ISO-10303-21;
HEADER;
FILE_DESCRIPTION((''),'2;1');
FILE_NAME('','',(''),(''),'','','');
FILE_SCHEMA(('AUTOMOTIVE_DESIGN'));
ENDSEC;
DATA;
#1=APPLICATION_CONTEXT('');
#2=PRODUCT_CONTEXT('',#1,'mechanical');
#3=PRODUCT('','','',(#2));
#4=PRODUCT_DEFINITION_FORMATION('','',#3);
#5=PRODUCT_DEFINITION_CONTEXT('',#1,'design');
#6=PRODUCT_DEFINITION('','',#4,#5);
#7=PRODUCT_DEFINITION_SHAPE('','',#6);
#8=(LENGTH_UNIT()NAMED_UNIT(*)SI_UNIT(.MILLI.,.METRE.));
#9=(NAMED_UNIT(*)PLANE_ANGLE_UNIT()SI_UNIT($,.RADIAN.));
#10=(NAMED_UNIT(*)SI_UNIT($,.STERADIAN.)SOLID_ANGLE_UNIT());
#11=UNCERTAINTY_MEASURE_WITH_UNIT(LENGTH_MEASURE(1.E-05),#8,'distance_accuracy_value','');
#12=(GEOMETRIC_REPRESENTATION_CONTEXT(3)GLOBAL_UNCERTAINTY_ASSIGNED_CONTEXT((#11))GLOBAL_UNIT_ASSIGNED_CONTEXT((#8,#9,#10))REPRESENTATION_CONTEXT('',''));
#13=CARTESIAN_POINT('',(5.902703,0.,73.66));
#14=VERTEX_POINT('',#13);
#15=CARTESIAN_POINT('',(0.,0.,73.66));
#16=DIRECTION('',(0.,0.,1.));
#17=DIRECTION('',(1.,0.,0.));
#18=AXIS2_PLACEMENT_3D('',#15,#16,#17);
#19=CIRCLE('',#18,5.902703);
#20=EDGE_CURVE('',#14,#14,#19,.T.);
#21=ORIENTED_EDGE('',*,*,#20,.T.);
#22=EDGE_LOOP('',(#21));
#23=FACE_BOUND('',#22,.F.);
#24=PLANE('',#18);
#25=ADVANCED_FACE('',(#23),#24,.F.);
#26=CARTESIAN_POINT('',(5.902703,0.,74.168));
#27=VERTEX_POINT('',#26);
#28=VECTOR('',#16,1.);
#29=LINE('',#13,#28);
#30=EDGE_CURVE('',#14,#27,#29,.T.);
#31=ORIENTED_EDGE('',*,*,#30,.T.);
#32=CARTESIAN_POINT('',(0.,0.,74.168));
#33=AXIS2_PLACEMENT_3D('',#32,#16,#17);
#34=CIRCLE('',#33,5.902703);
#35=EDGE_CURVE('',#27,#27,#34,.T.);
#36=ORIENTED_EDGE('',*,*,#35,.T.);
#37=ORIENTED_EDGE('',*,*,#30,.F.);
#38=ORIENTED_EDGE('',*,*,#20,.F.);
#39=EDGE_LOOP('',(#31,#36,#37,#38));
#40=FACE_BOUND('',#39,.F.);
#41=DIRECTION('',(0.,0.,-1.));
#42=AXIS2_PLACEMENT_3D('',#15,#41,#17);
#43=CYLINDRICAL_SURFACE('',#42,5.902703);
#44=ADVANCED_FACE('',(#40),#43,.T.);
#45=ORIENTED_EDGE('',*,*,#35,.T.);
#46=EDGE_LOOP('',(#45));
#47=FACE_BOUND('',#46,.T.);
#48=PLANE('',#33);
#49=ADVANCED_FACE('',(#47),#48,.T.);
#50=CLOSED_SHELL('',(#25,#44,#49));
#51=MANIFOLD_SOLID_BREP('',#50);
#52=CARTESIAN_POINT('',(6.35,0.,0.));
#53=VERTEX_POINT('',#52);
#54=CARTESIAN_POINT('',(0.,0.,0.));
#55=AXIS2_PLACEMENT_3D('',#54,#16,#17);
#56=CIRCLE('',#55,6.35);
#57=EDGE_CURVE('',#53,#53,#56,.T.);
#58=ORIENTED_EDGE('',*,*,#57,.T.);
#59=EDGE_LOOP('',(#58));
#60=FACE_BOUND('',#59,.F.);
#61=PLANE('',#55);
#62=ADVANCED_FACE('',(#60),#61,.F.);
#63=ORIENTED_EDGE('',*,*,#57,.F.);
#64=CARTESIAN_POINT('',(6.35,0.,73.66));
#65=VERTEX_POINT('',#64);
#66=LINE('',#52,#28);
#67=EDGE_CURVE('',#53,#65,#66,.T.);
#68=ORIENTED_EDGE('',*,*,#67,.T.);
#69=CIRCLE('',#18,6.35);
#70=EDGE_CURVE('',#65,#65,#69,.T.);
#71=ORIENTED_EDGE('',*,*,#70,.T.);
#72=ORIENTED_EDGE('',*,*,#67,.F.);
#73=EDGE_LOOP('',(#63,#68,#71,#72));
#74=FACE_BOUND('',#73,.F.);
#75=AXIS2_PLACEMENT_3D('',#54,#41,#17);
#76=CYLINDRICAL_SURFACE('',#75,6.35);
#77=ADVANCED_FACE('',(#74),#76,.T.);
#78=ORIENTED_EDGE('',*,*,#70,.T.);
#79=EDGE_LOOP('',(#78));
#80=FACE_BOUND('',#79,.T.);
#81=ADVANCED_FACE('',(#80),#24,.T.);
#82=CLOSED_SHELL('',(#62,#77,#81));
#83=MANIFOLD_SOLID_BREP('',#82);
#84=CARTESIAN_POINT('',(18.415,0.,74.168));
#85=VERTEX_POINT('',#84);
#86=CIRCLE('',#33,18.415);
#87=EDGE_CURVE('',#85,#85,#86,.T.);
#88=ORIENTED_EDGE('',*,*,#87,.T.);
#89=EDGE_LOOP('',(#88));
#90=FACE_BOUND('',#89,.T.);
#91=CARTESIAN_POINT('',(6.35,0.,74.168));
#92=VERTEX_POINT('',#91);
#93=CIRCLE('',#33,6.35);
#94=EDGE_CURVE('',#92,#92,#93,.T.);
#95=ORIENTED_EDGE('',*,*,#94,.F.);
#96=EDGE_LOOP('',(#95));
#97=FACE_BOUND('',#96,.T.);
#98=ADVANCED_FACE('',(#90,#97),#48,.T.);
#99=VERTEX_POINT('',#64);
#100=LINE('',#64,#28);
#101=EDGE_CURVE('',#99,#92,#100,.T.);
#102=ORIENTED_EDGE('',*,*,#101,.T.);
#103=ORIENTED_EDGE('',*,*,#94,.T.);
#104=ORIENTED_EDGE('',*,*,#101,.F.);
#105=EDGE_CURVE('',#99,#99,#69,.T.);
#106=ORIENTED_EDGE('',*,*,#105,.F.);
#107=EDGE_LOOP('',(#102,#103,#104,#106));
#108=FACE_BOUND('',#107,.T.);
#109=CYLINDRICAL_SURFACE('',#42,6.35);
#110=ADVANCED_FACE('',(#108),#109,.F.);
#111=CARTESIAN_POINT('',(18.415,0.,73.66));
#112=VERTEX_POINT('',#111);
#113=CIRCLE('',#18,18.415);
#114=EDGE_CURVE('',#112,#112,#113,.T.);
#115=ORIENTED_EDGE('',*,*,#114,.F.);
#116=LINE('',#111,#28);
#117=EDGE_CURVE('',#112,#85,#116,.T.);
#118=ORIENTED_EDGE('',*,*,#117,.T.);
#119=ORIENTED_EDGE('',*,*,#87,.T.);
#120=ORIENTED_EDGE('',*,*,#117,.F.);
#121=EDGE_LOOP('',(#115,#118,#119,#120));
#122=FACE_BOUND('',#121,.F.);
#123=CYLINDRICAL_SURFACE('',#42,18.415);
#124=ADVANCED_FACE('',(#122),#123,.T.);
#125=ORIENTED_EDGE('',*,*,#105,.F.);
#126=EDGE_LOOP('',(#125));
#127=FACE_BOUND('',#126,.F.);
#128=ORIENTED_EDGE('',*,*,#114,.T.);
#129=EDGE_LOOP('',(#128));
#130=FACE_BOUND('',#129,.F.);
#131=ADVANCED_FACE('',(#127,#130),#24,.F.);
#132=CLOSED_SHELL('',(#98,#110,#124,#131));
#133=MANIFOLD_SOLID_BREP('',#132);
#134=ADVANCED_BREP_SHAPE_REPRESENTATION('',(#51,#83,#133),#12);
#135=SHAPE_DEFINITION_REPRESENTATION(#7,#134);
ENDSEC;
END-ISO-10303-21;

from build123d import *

# Parameters (mm, degrees)
F0_R     = 6.35
F1_DEPTH = 73.66
F2_R     = 18.415
F2_R_2   = 6.35
F2_R_3   = 5.902703
F3_DEPTH = 0.508


with BuildPart() as f1:
    # F0 (on Top) → F1 (new body)
    with BuildSketch(Plane.XY):
        Circle(F0_R)
    extrude(amount=F1_DEPTH)


with BuildPart() as f3:
    # F2 (on face) → F3 (new body)
    with BuildSketch(Plane.XY.offset(73.66)):
        Circle(F2_R)
        Circle(F2_R_2, mode=Mode.SUBTRACT)
        Circle(F2_R_3)
    extrude(amount=F3_DEPTH)


solid = Compound([f1.part, f3.part])
